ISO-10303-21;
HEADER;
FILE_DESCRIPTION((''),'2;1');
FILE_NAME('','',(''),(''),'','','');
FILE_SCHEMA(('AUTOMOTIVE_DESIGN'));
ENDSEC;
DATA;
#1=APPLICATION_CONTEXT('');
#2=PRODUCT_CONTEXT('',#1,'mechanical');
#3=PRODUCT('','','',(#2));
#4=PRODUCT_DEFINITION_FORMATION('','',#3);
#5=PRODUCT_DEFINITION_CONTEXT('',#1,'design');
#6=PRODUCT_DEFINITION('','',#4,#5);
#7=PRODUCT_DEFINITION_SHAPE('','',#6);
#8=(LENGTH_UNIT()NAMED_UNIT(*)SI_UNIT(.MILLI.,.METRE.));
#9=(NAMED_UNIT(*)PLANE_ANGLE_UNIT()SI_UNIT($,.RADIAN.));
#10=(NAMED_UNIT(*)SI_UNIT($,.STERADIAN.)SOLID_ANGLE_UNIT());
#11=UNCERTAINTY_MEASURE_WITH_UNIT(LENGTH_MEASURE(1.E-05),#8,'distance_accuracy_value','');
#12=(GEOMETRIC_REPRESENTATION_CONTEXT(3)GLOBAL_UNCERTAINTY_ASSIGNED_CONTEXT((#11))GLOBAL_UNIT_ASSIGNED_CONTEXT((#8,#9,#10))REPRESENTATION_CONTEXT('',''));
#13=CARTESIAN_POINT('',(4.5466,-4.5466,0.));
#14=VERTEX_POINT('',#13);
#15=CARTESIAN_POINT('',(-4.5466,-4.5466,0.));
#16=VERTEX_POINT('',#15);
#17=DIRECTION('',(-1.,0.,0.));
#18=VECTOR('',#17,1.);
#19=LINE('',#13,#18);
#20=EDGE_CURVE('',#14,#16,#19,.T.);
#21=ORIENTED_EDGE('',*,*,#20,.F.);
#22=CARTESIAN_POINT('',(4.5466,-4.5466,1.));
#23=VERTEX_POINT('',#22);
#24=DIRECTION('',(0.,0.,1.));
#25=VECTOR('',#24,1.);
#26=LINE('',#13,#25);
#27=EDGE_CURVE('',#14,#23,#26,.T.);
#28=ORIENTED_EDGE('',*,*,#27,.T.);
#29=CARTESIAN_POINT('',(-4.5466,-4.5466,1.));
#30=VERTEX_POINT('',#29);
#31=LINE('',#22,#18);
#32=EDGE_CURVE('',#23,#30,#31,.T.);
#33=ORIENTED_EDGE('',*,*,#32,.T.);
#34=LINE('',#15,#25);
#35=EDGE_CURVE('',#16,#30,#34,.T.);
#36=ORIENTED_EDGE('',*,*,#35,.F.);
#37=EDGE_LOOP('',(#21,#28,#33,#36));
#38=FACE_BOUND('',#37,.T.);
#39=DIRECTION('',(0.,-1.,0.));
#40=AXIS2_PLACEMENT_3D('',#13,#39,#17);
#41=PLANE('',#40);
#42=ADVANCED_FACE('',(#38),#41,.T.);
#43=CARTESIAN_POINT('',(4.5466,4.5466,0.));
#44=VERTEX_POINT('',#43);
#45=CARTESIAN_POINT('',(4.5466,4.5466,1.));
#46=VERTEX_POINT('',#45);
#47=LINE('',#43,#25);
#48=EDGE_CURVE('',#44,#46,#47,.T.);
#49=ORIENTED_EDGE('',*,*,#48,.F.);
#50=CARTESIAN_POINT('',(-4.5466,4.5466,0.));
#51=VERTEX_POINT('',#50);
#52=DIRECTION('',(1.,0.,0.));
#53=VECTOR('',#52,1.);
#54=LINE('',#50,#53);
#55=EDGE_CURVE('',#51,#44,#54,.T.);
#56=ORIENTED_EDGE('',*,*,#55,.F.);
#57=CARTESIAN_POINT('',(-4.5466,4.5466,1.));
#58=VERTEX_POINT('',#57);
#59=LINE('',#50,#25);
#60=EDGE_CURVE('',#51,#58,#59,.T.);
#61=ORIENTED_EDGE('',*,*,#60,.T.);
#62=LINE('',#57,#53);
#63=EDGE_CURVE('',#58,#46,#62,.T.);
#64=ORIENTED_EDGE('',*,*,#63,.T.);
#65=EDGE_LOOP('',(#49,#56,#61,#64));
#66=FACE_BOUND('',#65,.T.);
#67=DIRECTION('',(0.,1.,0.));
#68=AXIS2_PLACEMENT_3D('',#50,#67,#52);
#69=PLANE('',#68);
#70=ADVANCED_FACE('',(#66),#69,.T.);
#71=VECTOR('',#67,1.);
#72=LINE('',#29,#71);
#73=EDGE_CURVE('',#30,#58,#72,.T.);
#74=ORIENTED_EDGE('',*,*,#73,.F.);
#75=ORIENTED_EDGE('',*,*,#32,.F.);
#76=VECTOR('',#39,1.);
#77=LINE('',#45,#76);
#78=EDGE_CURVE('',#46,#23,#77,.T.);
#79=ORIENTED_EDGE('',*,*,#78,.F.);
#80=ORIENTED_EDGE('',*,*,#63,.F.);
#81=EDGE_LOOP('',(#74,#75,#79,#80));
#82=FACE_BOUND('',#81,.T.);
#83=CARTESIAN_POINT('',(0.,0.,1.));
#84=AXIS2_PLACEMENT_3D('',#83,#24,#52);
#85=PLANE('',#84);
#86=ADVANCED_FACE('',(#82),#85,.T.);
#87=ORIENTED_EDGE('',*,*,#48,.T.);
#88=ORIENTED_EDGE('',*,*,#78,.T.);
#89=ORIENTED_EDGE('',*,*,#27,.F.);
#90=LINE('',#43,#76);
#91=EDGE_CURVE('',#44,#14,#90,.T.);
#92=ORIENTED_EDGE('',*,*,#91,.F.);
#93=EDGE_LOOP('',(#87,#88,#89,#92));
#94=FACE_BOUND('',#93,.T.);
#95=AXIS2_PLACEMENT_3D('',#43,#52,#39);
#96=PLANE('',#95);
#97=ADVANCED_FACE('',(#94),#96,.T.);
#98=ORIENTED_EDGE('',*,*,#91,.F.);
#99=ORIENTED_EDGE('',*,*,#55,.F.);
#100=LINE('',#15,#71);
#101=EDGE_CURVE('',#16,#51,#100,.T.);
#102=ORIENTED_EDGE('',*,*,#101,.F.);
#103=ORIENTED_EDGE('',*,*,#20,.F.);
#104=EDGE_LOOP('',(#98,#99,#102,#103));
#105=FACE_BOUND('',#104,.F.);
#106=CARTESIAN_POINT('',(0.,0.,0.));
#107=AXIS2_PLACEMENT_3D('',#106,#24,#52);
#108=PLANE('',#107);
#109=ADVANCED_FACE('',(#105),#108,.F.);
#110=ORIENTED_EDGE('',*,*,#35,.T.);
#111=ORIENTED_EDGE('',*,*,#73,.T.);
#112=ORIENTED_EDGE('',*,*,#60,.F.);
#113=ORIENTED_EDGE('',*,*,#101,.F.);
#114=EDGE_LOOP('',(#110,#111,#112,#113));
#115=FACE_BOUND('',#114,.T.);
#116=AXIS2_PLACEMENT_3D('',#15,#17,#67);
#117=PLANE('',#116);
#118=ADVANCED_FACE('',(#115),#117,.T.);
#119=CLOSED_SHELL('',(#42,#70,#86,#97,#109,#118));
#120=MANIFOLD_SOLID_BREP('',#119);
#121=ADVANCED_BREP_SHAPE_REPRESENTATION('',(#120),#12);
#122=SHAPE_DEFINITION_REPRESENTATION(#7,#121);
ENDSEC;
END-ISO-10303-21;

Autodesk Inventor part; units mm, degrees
ref_plane "YZ Plane" through (0, 0, 0) normal (1, 0, 0) x (0, 1, 0)
ref_plane "XZ Plane" through (0, 0, 0) normal (0, 1, 0) x (-1, 0, 0)
ref_plane "XY Plane" through (0, 0, 0) normal (0, 0, 1) x (1, 0, 0)
sketch "TQFP32-08, ATMEGA328_58" plane through (0, 0, 0) normal (0, 0, 1) x (1, 0, 0)
  line L0 (-4.5466, 4.5466) -> (4.5466, 4.5466)
  line L1 (4.5466, 4.5466) -> (4.5466, -4.5466)
  line L2 (4.5466, -4.5466) -> (-4.5466, -4.5466)
  line L3 (-4.5466, -4.5466) -> (-4.5466, 4.5466)
extrude "Extrusion1" add sketch "TQFP32-08, ATMEGA328_58" along normal blind 1
properties part number "ATMEGA328"
